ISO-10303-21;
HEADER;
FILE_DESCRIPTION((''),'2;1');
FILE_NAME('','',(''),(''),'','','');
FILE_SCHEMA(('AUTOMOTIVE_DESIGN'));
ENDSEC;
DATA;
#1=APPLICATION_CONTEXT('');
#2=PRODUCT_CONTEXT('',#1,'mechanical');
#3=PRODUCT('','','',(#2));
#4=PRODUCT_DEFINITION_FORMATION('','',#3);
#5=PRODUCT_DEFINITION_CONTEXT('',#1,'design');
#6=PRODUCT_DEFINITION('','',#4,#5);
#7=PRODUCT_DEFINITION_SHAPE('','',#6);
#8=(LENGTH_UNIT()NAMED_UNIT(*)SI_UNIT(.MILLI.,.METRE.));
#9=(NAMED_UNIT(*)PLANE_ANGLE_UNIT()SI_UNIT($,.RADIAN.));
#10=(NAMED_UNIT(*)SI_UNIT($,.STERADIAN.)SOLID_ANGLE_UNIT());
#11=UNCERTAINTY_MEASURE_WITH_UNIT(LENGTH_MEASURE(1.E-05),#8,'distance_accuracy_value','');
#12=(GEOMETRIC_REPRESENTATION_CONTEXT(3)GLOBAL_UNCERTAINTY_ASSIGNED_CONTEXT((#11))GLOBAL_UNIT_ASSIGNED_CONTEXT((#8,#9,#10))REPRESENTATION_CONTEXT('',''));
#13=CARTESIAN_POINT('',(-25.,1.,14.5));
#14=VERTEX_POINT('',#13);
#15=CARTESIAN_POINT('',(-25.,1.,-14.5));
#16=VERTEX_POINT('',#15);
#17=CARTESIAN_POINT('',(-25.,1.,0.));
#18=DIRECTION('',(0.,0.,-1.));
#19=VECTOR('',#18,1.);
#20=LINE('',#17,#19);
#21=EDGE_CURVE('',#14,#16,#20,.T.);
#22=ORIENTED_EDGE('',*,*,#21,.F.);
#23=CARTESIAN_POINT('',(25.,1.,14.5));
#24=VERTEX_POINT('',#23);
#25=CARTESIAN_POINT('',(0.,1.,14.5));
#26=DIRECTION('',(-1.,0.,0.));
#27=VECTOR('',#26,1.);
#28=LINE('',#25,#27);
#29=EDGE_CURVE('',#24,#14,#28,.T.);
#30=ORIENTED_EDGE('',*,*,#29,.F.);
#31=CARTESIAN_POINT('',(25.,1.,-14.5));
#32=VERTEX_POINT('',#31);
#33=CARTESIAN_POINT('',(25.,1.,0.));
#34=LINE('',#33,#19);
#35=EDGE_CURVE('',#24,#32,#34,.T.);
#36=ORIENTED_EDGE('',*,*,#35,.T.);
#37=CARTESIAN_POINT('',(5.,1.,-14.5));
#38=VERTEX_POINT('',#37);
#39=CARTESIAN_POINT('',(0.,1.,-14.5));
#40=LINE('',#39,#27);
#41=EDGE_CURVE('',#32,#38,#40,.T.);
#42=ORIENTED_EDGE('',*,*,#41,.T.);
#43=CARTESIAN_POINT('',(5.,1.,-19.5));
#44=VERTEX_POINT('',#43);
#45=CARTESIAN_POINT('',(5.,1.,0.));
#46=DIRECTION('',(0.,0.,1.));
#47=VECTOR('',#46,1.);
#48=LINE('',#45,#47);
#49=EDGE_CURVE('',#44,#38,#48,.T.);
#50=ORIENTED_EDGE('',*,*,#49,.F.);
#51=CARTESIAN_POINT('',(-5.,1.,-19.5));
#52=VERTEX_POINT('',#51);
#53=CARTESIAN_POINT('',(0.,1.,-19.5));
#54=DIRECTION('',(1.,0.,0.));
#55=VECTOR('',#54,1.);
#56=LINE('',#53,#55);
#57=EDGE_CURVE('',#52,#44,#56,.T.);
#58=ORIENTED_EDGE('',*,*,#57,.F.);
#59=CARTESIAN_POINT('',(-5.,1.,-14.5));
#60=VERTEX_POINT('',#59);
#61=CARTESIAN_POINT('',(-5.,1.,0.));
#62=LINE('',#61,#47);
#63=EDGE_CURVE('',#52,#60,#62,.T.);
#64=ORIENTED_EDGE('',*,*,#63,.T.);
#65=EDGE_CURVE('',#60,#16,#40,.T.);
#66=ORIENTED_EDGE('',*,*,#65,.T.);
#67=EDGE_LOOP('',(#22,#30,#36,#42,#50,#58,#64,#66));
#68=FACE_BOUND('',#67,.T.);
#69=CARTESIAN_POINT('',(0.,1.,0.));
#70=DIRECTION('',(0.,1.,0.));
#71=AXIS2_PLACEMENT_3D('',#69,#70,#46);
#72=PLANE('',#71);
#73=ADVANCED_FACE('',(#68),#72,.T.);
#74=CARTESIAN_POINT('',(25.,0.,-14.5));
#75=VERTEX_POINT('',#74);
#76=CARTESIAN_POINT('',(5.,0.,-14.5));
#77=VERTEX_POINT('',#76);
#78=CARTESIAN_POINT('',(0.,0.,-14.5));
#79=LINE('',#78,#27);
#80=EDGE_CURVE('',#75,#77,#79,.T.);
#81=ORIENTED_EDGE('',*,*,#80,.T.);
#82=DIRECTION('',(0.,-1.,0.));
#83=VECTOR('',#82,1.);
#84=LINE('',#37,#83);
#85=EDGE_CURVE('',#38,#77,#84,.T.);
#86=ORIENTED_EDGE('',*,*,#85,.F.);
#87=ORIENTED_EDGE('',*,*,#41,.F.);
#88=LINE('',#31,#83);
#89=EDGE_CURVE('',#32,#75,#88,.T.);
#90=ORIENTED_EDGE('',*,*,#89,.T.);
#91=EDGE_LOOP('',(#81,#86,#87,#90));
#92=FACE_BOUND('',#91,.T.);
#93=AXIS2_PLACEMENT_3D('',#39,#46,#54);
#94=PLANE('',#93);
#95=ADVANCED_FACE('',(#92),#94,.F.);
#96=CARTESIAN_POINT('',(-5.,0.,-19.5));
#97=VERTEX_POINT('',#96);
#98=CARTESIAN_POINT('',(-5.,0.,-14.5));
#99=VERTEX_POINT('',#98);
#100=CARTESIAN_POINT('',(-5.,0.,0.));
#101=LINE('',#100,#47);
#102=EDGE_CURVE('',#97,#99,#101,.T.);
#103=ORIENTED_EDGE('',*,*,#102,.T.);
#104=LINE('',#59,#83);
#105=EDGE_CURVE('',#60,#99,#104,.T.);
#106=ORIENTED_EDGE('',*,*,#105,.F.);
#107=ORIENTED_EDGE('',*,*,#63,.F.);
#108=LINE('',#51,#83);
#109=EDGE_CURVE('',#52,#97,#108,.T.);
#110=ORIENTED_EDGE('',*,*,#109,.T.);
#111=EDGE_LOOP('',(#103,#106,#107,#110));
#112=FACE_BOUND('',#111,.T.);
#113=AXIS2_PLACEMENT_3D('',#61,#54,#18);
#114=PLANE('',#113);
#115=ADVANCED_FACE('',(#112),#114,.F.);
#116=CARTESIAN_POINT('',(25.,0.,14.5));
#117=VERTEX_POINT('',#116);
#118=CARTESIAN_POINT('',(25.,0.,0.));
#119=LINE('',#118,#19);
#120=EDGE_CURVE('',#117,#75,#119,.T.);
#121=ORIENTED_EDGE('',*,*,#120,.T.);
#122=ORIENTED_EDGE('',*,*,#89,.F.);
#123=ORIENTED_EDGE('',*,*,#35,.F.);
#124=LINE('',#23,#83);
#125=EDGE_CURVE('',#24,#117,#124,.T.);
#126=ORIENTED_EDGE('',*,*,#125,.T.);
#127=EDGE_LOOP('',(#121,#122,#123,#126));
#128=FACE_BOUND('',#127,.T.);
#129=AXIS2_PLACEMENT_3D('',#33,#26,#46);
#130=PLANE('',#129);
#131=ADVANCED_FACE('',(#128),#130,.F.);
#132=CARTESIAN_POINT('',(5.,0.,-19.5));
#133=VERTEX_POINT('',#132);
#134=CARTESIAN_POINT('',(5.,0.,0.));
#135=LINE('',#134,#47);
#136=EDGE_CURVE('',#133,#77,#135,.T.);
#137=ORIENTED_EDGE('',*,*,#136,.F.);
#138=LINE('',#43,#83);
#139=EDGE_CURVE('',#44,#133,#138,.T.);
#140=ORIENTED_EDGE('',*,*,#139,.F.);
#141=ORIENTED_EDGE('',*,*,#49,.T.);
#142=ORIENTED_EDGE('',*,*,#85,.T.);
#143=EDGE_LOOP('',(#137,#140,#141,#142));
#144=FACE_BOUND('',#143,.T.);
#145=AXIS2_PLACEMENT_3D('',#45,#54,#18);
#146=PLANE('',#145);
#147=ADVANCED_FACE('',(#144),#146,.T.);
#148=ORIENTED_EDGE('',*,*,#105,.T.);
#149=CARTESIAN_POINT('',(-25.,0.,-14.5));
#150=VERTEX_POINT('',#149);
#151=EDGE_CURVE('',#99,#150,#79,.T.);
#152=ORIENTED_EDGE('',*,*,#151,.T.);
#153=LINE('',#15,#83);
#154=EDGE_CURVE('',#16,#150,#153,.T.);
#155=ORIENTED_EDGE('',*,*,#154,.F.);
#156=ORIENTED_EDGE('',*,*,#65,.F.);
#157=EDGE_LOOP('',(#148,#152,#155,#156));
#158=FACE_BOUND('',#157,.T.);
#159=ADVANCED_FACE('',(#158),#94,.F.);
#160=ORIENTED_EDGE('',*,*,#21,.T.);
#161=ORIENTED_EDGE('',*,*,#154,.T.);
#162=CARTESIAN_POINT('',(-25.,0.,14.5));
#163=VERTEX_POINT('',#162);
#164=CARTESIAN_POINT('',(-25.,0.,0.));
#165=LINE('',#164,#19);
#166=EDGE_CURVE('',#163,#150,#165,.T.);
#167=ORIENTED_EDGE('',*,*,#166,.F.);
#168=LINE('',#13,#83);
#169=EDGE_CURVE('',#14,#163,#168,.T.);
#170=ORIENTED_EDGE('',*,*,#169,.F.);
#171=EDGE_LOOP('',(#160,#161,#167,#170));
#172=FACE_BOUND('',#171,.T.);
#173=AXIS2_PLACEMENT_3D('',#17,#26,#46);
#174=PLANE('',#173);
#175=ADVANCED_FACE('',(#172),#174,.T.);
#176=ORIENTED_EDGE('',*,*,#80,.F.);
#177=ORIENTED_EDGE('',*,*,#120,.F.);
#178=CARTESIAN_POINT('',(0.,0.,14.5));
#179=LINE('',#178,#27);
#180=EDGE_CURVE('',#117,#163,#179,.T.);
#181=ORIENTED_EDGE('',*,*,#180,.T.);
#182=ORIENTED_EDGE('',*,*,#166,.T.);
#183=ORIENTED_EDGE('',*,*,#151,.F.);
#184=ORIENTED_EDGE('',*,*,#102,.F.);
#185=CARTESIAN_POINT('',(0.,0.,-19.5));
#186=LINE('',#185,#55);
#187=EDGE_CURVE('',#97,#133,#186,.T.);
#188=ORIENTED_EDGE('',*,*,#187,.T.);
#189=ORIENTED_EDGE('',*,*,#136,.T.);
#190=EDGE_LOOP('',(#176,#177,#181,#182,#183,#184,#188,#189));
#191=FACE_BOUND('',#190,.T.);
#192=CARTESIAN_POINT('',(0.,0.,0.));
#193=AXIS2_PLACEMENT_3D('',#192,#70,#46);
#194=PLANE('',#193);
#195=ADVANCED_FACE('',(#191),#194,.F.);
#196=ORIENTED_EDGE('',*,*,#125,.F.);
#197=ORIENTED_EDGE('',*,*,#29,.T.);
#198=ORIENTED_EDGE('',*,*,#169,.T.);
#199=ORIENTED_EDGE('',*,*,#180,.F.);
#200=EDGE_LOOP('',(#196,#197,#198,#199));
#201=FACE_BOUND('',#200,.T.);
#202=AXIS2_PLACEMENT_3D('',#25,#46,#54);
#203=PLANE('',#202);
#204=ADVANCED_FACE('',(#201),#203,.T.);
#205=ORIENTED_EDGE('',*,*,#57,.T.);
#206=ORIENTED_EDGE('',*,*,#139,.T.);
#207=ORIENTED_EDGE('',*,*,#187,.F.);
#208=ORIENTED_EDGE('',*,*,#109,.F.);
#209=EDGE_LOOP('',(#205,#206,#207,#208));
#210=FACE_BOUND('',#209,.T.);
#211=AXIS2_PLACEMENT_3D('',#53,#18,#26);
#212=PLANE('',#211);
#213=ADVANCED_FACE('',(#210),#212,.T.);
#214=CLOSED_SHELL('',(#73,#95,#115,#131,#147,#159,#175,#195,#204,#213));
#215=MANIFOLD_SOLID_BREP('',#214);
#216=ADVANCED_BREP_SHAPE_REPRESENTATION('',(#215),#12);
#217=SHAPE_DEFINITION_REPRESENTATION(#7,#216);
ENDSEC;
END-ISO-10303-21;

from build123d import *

# Parameters (mm, degrees)
SKETCH1_W           = 10
SKETCH1_H           = 5
SKETCH1_W_2         = 50
SKETCH1_H_2         = 29
BOSS_EXTRUDE4_DEPTH = 1


with BuildPart() as part:
    # Sketch1 → Boss-Extrude4 (new body)
    with BuildSketch(Plane(origin=(0, 0, 0), x_dir=(1, 0, 0), z_dir=(0, 1, 0))):
        with Locations((0, 17)):
            Rectangle(SKETCH1_W, SKETCH1_H)
        Rectangle(SKETCH1_W_2, SKETCH1_H_2)
    extrude(amount=BOSS_EXTRUDE4_DEPTH)


solid = part.part
